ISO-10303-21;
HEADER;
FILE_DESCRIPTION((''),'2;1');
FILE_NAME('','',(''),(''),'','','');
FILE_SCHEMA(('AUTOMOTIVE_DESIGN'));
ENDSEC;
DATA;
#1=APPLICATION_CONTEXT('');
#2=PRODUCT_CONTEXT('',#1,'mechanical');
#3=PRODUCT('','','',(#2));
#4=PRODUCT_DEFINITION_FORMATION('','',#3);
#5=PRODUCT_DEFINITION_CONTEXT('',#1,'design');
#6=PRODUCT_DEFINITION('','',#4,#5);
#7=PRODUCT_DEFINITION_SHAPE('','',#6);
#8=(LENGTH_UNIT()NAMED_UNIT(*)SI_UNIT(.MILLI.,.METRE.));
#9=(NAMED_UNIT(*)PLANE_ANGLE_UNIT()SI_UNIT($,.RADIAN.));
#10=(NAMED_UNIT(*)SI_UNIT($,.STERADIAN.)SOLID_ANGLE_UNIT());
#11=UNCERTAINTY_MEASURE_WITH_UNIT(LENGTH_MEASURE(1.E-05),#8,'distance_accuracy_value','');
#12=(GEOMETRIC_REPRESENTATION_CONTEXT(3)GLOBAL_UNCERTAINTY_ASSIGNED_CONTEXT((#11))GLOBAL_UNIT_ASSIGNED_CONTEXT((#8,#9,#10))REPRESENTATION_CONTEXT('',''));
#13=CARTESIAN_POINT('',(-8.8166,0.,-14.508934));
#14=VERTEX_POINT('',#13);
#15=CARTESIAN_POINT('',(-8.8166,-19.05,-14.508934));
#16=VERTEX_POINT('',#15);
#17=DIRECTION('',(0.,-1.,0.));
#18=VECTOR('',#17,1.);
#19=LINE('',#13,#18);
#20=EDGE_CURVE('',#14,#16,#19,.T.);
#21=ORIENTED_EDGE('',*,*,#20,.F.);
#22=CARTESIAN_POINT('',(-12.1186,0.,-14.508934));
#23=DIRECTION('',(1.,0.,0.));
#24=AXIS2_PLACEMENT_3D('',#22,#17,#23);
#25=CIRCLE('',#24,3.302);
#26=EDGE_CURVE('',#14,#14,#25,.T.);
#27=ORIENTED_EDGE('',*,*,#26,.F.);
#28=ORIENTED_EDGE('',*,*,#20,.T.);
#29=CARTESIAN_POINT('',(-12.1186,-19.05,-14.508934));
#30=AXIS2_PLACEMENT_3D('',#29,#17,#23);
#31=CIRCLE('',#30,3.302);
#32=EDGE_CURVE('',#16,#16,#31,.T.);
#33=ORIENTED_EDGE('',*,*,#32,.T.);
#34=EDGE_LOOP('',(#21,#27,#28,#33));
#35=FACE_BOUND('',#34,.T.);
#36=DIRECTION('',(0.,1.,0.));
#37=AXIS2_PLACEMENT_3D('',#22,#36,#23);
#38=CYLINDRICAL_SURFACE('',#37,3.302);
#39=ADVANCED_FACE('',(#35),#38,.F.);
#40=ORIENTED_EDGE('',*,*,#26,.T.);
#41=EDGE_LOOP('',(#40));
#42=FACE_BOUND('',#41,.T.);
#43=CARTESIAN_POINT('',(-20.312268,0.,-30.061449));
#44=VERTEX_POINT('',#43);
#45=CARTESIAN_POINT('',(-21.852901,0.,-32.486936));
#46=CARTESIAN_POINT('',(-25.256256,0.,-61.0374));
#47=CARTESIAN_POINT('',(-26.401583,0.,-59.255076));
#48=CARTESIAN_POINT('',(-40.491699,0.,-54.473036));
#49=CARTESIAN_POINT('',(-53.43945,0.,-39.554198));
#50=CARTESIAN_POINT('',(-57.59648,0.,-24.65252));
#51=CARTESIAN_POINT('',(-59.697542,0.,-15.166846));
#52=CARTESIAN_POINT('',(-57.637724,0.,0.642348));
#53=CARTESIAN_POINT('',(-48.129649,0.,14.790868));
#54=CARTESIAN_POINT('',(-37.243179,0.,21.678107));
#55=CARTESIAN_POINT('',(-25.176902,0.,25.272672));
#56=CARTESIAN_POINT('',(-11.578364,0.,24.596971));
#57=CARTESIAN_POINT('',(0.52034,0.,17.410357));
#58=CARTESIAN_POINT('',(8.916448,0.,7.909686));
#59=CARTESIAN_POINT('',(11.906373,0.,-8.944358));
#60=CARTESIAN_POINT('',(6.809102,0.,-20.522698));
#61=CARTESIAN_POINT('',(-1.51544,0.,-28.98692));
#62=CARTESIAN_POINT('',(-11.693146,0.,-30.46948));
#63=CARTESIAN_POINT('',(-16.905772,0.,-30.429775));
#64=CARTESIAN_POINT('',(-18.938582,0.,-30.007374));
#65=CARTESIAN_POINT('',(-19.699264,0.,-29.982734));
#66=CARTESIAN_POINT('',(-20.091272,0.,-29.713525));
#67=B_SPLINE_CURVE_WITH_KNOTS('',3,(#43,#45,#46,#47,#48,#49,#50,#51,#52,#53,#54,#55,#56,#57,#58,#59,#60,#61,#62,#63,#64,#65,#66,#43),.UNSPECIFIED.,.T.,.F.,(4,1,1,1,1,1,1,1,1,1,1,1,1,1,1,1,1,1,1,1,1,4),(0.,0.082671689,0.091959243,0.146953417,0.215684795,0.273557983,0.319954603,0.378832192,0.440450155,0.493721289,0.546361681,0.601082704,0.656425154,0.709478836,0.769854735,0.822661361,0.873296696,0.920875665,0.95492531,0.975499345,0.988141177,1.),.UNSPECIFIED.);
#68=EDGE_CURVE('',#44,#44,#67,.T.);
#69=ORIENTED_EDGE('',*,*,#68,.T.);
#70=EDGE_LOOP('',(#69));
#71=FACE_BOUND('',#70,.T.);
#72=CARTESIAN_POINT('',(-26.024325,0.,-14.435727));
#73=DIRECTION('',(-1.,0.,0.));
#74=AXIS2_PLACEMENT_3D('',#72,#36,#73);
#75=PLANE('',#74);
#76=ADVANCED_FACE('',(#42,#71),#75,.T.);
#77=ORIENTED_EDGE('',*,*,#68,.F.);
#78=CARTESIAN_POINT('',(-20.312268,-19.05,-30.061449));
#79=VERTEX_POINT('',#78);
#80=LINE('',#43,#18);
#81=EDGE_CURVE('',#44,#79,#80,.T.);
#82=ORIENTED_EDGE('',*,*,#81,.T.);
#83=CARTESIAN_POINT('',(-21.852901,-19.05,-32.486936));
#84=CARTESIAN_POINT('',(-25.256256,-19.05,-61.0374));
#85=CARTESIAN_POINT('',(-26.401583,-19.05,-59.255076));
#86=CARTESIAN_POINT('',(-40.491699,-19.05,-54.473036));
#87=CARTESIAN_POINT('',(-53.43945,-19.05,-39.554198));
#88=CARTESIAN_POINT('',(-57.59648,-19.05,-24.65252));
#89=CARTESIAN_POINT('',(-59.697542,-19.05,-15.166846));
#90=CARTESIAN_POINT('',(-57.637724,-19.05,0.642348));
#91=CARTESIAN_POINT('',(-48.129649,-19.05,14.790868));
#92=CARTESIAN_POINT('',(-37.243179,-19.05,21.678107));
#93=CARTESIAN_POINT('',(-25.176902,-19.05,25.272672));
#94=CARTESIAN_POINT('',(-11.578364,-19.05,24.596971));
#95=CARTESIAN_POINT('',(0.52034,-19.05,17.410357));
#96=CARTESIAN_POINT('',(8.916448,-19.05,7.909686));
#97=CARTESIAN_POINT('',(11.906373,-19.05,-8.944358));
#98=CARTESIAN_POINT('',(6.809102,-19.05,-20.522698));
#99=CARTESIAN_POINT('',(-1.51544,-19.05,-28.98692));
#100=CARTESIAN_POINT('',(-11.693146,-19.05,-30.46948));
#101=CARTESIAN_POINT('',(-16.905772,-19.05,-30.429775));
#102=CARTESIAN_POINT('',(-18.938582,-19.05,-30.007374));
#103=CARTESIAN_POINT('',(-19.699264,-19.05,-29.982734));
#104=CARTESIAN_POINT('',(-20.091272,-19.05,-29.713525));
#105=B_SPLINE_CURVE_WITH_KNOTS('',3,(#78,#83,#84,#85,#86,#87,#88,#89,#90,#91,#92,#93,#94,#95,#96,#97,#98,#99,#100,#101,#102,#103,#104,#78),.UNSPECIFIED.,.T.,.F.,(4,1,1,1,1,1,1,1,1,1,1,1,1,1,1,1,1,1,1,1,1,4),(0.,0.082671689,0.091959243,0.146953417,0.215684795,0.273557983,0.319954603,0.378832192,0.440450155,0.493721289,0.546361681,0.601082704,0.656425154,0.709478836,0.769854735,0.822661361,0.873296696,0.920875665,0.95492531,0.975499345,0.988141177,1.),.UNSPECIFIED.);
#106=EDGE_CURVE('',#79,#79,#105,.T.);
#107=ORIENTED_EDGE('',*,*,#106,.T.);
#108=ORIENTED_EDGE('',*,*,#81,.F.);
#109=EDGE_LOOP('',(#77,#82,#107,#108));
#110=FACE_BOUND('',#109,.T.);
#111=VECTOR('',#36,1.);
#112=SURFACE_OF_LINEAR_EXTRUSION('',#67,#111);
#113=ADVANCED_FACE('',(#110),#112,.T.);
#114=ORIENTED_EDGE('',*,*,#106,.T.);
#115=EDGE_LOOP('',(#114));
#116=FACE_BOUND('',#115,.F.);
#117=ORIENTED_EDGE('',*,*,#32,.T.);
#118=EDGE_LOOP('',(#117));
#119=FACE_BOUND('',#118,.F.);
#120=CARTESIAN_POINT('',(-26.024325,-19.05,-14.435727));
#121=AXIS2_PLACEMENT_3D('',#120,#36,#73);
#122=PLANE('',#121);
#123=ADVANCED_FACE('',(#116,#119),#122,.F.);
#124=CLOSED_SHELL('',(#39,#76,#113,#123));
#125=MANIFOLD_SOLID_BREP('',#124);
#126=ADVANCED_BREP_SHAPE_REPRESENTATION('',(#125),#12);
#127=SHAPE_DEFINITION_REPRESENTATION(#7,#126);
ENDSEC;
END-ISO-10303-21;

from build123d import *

# Parameters (mm, degrees)
F0_R     = 3.302
F1_DEPTH = 19.05


with BuildPart() as f1:
    # F0 (on Front) → F1 (new body)
    with BuildSketch(Plane.XZ):
        with BuildLine():
            add(Edge.make_bspline(
                [(-20.3122682496, -30.0614489449), (-21.8529014194, -32.4869364936), (-25.2562556718, -61.0374002029), (-26.4015829638, -59.2550755266), (-40.4916987759, -54.4730361384), (-53.4394498641, -39.5541976212), (-57.5964804857, -24.6525202708), (-59.6975420087, -15.1668461498), (-57.6377244126, 0.6423476937), (-48.1296490973, 14.790868388), (-37.2431791223, 21.6781069522), (-25.176902074, 25.2726718038), (-11.5783638325, 24.5969705761), (0.5203402756, 17.410357461), (8.9164479529, 7.9096863684), (11.9063732687, -8.9443576741), (6.8091017976, -20.5226976715), (-1.5154404725, -28.9869200488), (-11.6931464635, -30.4694798637), (-16.9057717391, -30.4297746795), (-18.9385816131, -30.0073742754), (-19.6992636674, -29.9827342485), (-20.0912724505, -29.7135253967), (-20.3122682496, -30.0614489449)],
                knots=[0, 0, 0, 0, 0.0826716889, 0.0919592427, 0.1469534166, 0.2156847949, 0.2735579834, 0.3199546034, 0.3788321923, 0.4404501552, 0.4937212894, 0.5463616813, 0.6010827042, 0.6564251537, 0.7094788358, 0.7698547351, 0.8226613609, 0.8732966957, 0.9208756651, 0.9549253103, 0.9754993455, 0.9881411771, 1, 1, 1, 1], degree=3))
        make_face()
        with Locations((-12.1185999632, -14.5089342447)):
            Circle(F0_R, mode=Mode.SUBTRACT)
    extrude(amount=F1_DEPTH)


solid = f1.part
